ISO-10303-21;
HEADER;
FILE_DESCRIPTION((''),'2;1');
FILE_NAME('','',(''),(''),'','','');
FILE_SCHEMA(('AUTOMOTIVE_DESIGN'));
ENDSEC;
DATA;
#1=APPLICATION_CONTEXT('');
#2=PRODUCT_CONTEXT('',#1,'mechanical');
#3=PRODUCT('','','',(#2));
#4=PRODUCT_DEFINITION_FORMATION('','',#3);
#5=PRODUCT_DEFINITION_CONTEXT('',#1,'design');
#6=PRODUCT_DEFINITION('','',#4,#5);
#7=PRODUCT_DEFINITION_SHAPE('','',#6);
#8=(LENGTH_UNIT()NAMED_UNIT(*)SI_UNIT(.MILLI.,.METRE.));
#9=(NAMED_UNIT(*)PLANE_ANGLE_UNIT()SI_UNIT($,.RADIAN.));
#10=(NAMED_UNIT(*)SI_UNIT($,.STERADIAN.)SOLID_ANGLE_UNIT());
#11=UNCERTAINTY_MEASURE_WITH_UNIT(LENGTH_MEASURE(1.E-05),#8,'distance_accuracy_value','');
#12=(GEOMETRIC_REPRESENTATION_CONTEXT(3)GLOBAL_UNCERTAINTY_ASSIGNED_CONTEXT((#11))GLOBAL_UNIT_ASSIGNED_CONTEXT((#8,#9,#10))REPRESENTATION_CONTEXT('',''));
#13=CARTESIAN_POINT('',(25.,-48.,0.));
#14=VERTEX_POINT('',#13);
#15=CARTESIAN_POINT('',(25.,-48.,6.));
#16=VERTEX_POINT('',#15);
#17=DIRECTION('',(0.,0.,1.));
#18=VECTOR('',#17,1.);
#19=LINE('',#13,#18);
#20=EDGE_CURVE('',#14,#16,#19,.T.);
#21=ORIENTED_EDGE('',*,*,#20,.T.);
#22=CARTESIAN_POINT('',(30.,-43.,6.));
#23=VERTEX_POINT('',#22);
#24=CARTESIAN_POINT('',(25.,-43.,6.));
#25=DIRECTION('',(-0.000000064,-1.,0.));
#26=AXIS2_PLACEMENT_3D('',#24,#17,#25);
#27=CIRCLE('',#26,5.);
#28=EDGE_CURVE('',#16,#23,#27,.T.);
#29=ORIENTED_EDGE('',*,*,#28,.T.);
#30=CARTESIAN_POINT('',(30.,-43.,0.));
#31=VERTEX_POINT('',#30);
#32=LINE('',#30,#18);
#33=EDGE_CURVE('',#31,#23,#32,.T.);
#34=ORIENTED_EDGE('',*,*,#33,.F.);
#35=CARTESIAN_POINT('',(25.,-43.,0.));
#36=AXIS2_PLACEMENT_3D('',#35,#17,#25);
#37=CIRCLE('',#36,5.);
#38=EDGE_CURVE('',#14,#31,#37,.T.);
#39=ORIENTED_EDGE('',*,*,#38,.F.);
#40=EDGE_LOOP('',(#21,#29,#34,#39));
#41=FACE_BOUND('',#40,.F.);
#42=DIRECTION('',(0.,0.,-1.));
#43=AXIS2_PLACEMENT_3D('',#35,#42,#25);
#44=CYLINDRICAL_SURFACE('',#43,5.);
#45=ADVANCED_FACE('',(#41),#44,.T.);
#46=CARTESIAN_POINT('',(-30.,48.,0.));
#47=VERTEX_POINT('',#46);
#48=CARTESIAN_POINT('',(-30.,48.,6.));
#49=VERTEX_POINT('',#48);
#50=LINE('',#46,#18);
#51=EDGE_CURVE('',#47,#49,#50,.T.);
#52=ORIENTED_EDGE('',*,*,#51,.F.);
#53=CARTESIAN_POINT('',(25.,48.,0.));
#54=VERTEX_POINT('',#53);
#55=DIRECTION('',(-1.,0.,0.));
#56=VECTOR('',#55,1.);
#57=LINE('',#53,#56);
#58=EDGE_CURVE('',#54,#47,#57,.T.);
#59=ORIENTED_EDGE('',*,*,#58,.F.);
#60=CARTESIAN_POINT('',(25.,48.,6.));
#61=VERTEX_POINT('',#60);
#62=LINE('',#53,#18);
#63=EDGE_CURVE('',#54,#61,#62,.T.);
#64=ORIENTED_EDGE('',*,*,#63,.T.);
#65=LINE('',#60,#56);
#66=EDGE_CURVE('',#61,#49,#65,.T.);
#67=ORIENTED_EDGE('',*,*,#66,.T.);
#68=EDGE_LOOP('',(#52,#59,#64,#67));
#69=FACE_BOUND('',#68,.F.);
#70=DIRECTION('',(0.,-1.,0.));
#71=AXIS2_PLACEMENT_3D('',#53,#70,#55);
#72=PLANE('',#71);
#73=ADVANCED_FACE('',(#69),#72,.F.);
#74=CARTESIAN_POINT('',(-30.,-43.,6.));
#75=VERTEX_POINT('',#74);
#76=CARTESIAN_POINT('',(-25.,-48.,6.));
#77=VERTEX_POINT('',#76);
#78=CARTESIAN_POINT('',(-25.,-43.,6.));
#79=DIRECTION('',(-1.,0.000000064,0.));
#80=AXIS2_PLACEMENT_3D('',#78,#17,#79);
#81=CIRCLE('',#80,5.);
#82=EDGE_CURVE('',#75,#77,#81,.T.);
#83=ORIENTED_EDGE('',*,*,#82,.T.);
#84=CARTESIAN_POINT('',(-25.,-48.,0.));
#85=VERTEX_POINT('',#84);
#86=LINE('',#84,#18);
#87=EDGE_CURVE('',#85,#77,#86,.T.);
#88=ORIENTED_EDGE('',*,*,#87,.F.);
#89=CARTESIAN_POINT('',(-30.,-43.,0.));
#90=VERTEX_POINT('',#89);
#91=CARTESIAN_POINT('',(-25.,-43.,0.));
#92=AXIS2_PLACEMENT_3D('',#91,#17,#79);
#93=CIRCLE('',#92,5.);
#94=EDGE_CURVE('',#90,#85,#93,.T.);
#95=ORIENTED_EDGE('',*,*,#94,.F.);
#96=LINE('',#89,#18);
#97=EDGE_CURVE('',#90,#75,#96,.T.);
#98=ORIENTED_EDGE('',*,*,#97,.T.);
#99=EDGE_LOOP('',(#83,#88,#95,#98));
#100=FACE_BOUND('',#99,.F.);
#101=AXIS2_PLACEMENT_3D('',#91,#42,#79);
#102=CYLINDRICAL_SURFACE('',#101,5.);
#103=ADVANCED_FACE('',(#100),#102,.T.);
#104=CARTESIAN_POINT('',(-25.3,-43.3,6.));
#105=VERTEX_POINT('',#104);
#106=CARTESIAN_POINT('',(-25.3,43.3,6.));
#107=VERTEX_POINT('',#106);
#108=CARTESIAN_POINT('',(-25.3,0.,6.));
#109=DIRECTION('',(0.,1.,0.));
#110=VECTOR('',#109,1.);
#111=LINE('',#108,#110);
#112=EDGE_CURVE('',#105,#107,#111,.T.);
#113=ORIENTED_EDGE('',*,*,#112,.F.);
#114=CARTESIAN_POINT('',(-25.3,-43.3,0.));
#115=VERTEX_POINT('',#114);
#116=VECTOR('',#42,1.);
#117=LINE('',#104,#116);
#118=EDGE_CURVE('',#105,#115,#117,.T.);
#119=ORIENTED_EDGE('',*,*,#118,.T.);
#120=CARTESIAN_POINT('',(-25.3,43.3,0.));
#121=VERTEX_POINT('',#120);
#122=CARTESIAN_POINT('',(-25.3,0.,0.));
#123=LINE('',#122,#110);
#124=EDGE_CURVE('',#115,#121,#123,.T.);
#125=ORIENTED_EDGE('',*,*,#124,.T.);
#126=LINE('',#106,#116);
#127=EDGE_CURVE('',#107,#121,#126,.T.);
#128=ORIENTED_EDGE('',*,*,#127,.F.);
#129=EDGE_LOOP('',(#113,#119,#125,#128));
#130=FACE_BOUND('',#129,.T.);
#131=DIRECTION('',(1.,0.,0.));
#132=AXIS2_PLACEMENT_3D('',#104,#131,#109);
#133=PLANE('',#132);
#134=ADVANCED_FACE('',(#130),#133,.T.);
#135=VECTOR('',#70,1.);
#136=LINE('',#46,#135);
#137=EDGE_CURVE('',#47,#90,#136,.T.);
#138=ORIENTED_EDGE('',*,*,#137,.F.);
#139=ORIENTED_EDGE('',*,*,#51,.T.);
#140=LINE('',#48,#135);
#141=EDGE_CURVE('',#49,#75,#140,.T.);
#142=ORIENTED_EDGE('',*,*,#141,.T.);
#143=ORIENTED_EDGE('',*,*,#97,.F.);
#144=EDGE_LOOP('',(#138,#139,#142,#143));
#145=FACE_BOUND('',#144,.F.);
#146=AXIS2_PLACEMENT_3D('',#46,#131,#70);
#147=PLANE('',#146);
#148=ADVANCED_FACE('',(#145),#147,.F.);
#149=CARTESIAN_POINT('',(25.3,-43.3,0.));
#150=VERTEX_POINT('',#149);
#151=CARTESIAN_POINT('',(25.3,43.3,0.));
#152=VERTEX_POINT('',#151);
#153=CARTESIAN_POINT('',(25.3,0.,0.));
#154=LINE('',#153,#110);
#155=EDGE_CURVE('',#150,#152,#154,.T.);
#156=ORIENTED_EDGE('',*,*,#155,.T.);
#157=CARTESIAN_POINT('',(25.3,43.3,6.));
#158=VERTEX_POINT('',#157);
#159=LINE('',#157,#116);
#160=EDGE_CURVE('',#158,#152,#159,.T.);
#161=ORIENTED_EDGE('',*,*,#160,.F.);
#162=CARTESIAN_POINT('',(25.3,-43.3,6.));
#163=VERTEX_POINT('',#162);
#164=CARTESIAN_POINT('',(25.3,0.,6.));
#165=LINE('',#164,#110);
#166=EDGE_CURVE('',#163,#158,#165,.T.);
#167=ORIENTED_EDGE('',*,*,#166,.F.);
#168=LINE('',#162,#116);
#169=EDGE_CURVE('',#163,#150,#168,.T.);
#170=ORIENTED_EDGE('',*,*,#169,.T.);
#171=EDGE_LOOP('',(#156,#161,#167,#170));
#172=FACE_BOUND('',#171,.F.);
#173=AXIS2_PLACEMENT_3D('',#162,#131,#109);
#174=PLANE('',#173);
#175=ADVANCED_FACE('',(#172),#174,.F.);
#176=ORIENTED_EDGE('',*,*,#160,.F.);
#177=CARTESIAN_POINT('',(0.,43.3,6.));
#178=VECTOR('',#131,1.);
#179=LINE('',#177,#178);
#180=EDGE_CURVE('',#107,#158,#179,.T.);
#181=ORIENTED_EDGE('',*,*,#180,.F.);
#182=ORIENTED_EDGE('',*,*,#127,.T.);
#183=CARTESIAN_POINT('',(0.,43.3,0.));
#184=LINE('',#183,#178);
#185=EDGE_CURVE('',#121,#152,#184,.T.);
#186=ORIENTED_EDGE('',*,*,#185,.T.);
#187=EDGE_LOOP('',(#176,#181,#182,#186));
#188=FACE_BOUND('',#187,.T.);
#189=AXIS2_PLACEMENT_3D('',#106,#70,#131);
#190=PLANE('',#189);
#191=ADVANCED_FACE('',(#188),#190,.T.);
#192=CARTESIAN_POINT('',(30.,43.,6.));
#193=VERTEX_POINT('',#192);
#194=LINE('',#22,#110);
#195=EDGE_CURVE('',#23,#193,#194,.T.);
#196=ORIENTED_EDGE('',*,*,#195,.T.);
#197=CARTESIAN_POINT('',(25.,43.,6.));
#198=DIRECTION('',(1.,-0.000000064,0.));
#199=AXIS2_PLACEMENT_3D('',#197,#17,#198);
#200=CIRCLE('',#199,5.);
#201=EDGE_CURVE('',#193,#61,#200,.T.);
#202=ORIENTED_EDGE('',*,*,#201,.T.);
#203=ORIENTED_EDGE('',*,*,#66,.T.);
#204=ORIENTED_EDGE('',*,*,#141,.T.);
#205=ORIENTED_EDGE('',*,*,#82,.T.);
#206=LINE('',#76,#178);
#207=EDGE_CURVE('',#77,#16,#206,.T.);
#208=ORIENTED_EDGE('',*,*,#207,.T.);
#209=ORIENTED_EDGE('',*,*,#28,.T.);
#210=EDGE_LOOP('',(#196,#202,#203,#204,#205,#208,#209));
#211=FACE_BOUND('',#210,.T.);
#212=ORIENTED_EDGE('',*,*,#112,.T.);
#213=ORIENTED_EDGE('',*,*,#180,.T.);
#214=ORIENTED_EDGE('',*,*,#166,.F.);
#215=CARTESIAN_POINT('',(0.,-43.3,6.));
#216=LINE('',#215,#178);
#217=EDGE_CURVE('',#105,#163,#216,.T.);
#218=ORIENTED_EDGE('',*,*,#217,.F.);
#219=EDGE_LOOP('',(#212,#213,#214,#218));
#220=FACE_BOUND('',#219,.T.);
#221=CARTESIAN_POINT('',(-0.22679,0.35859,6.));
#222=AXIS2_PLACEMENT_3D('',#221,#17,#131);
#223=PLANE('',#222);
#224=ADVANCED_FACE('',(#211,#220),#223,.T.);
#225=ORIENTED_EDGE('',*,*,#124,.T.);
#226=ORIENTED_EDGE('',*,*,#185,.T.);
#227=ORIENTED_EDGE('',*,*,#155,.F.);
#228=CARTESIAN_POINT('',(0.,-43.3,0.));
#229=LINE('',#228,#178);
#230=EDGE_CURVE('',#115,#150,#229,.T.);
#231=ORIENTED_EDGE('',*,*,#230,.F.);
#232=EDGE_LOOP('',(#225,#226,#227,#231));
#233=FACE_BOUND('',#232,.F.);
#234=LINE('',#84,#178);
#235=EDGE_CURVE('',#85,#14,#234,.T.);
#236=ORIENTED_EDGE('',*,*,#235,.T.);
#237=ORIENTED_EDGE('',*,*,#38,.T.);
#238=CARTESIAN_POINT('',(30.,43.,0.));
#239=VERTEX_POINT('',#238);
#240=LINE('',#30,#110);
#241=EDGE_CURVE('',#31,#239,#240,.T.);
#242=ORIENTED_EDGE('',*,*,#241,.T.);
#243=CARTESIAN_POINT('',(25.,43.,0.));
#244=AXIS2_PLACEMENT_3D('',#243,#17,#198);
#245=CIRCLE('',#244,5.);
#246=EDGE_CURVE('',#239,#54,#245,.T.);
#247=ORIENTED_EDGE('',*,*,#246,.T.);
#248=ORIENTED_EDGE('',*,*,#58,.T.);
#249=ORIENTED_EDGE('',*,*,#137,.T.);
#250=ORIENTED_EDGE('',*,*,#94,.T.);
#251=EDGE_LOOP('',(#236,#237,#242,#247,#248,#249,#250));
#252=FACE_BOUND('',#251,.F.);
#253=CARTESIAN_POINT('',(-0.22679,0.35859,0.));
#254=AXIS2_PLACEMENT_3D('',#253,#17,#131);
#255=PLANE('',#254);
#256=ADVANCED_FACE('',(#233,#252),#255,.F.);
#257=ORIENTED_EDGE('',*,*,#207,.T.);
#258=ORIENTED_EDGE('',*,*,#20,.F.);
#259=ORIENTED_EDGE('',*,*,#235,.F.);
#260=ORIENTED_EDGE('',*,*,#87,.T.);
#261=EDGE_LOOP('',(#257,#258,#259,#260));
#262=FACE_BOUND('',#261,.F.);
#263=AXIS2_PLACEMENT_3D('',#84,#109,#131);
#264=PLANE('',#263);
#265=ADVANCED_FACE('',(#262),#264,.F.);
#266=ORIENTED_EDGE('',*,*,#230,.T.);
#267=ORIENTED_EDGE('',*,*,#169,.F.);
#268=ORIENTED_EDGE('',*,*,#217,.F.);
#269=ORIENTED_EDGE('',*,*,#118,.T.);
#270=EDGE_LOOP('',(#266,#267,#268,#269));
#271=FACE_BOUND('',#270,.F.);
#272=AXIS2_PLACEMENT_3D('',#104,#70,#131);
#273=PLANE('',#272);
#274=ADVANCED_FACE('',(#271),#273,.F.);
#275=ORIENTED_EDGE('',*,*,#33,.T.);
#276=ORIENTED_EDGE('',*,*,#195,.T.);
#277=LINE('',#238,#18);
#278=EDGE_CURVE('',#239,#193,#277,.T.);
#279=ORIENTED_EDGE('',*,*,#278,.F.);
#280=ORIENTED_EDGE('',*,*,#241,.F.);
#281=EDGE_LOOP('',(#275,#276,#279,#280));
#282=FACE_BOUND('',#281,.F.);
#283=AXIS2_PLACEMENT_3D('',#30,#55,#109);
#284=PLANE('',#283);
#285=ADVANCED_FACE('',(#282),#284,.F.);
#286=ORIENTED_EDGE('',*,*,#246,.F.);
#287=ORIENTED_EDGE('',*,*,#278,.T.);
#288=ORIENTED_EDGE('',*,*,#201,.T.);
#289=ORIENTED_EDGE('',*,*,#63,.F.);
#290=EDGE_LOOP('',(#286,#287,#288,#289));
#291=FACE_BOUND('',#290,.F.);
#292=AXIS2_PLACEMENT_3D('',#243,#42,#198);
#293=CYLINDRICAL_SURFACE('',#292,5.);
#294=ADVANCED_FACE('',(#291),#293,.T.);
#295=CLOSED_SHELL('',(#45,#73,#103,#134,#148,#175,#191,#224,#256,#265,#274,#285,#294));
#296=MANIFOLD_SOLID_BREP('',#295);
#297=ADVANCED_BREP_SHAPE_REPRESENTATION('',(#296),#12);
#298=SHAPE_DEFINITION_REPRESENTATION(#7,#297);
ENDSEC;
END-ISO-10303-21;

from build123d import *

# Parameters (mm, degrees)
F0_R     = 1.5
F1_DEPTH = 6
F2_W     = 50.6
F2_H     = 86.6
F3_DEPTH = 6


with BuildPart() as f1:
    # F0 (on Top) → F1 (new body)
    with BuildSketch(Plane.XY):
        with BuildLine():
            Line((-25, -48), (25, -48))
            ThreePointArc((25, -48), (28.535534, -46.535534), (30, -43))
            Line((30, -43), (30, 43))
            ThreePointArc((30, 43), (28.535534, 46.535534), (25, 48))
            Line((25, 48), (-27, 48))
            Line((-27, 48), (-30, 48))
            Line((-30, 48), (-30, 43))
            Line((-30, 43), (-30, -43))
            ThreePointArc((-30, -43), (-28.535534, -46.535534), (-25, -48))
        make_face()
        with Locations((-22, -36.08)):
            Circle(F0_R, mode=Mode.SUBTRACT)
        with Locations((22, -36.08)):
            Circle(F0_R, mode=Mode.SUBTRACT)
        with Locations((-22, 40)):
            Circle(F0_R, mode=Mode.SUBTRACT)
        with Locations((22, 40)):
            Circle(F0_R, mode=Mode.SUBTRACT)
    extrude(amount=F1_DEPTH)

    # F2 (on face) → F3 (cut)
    with BuildSketch(Plane.XY.offset(6)):
        Rectangle(F2_W, F2_H)
    extrude(amount=-F3_DEPTH, mode=Mode.SUBTRACT)


solid = f1.part
